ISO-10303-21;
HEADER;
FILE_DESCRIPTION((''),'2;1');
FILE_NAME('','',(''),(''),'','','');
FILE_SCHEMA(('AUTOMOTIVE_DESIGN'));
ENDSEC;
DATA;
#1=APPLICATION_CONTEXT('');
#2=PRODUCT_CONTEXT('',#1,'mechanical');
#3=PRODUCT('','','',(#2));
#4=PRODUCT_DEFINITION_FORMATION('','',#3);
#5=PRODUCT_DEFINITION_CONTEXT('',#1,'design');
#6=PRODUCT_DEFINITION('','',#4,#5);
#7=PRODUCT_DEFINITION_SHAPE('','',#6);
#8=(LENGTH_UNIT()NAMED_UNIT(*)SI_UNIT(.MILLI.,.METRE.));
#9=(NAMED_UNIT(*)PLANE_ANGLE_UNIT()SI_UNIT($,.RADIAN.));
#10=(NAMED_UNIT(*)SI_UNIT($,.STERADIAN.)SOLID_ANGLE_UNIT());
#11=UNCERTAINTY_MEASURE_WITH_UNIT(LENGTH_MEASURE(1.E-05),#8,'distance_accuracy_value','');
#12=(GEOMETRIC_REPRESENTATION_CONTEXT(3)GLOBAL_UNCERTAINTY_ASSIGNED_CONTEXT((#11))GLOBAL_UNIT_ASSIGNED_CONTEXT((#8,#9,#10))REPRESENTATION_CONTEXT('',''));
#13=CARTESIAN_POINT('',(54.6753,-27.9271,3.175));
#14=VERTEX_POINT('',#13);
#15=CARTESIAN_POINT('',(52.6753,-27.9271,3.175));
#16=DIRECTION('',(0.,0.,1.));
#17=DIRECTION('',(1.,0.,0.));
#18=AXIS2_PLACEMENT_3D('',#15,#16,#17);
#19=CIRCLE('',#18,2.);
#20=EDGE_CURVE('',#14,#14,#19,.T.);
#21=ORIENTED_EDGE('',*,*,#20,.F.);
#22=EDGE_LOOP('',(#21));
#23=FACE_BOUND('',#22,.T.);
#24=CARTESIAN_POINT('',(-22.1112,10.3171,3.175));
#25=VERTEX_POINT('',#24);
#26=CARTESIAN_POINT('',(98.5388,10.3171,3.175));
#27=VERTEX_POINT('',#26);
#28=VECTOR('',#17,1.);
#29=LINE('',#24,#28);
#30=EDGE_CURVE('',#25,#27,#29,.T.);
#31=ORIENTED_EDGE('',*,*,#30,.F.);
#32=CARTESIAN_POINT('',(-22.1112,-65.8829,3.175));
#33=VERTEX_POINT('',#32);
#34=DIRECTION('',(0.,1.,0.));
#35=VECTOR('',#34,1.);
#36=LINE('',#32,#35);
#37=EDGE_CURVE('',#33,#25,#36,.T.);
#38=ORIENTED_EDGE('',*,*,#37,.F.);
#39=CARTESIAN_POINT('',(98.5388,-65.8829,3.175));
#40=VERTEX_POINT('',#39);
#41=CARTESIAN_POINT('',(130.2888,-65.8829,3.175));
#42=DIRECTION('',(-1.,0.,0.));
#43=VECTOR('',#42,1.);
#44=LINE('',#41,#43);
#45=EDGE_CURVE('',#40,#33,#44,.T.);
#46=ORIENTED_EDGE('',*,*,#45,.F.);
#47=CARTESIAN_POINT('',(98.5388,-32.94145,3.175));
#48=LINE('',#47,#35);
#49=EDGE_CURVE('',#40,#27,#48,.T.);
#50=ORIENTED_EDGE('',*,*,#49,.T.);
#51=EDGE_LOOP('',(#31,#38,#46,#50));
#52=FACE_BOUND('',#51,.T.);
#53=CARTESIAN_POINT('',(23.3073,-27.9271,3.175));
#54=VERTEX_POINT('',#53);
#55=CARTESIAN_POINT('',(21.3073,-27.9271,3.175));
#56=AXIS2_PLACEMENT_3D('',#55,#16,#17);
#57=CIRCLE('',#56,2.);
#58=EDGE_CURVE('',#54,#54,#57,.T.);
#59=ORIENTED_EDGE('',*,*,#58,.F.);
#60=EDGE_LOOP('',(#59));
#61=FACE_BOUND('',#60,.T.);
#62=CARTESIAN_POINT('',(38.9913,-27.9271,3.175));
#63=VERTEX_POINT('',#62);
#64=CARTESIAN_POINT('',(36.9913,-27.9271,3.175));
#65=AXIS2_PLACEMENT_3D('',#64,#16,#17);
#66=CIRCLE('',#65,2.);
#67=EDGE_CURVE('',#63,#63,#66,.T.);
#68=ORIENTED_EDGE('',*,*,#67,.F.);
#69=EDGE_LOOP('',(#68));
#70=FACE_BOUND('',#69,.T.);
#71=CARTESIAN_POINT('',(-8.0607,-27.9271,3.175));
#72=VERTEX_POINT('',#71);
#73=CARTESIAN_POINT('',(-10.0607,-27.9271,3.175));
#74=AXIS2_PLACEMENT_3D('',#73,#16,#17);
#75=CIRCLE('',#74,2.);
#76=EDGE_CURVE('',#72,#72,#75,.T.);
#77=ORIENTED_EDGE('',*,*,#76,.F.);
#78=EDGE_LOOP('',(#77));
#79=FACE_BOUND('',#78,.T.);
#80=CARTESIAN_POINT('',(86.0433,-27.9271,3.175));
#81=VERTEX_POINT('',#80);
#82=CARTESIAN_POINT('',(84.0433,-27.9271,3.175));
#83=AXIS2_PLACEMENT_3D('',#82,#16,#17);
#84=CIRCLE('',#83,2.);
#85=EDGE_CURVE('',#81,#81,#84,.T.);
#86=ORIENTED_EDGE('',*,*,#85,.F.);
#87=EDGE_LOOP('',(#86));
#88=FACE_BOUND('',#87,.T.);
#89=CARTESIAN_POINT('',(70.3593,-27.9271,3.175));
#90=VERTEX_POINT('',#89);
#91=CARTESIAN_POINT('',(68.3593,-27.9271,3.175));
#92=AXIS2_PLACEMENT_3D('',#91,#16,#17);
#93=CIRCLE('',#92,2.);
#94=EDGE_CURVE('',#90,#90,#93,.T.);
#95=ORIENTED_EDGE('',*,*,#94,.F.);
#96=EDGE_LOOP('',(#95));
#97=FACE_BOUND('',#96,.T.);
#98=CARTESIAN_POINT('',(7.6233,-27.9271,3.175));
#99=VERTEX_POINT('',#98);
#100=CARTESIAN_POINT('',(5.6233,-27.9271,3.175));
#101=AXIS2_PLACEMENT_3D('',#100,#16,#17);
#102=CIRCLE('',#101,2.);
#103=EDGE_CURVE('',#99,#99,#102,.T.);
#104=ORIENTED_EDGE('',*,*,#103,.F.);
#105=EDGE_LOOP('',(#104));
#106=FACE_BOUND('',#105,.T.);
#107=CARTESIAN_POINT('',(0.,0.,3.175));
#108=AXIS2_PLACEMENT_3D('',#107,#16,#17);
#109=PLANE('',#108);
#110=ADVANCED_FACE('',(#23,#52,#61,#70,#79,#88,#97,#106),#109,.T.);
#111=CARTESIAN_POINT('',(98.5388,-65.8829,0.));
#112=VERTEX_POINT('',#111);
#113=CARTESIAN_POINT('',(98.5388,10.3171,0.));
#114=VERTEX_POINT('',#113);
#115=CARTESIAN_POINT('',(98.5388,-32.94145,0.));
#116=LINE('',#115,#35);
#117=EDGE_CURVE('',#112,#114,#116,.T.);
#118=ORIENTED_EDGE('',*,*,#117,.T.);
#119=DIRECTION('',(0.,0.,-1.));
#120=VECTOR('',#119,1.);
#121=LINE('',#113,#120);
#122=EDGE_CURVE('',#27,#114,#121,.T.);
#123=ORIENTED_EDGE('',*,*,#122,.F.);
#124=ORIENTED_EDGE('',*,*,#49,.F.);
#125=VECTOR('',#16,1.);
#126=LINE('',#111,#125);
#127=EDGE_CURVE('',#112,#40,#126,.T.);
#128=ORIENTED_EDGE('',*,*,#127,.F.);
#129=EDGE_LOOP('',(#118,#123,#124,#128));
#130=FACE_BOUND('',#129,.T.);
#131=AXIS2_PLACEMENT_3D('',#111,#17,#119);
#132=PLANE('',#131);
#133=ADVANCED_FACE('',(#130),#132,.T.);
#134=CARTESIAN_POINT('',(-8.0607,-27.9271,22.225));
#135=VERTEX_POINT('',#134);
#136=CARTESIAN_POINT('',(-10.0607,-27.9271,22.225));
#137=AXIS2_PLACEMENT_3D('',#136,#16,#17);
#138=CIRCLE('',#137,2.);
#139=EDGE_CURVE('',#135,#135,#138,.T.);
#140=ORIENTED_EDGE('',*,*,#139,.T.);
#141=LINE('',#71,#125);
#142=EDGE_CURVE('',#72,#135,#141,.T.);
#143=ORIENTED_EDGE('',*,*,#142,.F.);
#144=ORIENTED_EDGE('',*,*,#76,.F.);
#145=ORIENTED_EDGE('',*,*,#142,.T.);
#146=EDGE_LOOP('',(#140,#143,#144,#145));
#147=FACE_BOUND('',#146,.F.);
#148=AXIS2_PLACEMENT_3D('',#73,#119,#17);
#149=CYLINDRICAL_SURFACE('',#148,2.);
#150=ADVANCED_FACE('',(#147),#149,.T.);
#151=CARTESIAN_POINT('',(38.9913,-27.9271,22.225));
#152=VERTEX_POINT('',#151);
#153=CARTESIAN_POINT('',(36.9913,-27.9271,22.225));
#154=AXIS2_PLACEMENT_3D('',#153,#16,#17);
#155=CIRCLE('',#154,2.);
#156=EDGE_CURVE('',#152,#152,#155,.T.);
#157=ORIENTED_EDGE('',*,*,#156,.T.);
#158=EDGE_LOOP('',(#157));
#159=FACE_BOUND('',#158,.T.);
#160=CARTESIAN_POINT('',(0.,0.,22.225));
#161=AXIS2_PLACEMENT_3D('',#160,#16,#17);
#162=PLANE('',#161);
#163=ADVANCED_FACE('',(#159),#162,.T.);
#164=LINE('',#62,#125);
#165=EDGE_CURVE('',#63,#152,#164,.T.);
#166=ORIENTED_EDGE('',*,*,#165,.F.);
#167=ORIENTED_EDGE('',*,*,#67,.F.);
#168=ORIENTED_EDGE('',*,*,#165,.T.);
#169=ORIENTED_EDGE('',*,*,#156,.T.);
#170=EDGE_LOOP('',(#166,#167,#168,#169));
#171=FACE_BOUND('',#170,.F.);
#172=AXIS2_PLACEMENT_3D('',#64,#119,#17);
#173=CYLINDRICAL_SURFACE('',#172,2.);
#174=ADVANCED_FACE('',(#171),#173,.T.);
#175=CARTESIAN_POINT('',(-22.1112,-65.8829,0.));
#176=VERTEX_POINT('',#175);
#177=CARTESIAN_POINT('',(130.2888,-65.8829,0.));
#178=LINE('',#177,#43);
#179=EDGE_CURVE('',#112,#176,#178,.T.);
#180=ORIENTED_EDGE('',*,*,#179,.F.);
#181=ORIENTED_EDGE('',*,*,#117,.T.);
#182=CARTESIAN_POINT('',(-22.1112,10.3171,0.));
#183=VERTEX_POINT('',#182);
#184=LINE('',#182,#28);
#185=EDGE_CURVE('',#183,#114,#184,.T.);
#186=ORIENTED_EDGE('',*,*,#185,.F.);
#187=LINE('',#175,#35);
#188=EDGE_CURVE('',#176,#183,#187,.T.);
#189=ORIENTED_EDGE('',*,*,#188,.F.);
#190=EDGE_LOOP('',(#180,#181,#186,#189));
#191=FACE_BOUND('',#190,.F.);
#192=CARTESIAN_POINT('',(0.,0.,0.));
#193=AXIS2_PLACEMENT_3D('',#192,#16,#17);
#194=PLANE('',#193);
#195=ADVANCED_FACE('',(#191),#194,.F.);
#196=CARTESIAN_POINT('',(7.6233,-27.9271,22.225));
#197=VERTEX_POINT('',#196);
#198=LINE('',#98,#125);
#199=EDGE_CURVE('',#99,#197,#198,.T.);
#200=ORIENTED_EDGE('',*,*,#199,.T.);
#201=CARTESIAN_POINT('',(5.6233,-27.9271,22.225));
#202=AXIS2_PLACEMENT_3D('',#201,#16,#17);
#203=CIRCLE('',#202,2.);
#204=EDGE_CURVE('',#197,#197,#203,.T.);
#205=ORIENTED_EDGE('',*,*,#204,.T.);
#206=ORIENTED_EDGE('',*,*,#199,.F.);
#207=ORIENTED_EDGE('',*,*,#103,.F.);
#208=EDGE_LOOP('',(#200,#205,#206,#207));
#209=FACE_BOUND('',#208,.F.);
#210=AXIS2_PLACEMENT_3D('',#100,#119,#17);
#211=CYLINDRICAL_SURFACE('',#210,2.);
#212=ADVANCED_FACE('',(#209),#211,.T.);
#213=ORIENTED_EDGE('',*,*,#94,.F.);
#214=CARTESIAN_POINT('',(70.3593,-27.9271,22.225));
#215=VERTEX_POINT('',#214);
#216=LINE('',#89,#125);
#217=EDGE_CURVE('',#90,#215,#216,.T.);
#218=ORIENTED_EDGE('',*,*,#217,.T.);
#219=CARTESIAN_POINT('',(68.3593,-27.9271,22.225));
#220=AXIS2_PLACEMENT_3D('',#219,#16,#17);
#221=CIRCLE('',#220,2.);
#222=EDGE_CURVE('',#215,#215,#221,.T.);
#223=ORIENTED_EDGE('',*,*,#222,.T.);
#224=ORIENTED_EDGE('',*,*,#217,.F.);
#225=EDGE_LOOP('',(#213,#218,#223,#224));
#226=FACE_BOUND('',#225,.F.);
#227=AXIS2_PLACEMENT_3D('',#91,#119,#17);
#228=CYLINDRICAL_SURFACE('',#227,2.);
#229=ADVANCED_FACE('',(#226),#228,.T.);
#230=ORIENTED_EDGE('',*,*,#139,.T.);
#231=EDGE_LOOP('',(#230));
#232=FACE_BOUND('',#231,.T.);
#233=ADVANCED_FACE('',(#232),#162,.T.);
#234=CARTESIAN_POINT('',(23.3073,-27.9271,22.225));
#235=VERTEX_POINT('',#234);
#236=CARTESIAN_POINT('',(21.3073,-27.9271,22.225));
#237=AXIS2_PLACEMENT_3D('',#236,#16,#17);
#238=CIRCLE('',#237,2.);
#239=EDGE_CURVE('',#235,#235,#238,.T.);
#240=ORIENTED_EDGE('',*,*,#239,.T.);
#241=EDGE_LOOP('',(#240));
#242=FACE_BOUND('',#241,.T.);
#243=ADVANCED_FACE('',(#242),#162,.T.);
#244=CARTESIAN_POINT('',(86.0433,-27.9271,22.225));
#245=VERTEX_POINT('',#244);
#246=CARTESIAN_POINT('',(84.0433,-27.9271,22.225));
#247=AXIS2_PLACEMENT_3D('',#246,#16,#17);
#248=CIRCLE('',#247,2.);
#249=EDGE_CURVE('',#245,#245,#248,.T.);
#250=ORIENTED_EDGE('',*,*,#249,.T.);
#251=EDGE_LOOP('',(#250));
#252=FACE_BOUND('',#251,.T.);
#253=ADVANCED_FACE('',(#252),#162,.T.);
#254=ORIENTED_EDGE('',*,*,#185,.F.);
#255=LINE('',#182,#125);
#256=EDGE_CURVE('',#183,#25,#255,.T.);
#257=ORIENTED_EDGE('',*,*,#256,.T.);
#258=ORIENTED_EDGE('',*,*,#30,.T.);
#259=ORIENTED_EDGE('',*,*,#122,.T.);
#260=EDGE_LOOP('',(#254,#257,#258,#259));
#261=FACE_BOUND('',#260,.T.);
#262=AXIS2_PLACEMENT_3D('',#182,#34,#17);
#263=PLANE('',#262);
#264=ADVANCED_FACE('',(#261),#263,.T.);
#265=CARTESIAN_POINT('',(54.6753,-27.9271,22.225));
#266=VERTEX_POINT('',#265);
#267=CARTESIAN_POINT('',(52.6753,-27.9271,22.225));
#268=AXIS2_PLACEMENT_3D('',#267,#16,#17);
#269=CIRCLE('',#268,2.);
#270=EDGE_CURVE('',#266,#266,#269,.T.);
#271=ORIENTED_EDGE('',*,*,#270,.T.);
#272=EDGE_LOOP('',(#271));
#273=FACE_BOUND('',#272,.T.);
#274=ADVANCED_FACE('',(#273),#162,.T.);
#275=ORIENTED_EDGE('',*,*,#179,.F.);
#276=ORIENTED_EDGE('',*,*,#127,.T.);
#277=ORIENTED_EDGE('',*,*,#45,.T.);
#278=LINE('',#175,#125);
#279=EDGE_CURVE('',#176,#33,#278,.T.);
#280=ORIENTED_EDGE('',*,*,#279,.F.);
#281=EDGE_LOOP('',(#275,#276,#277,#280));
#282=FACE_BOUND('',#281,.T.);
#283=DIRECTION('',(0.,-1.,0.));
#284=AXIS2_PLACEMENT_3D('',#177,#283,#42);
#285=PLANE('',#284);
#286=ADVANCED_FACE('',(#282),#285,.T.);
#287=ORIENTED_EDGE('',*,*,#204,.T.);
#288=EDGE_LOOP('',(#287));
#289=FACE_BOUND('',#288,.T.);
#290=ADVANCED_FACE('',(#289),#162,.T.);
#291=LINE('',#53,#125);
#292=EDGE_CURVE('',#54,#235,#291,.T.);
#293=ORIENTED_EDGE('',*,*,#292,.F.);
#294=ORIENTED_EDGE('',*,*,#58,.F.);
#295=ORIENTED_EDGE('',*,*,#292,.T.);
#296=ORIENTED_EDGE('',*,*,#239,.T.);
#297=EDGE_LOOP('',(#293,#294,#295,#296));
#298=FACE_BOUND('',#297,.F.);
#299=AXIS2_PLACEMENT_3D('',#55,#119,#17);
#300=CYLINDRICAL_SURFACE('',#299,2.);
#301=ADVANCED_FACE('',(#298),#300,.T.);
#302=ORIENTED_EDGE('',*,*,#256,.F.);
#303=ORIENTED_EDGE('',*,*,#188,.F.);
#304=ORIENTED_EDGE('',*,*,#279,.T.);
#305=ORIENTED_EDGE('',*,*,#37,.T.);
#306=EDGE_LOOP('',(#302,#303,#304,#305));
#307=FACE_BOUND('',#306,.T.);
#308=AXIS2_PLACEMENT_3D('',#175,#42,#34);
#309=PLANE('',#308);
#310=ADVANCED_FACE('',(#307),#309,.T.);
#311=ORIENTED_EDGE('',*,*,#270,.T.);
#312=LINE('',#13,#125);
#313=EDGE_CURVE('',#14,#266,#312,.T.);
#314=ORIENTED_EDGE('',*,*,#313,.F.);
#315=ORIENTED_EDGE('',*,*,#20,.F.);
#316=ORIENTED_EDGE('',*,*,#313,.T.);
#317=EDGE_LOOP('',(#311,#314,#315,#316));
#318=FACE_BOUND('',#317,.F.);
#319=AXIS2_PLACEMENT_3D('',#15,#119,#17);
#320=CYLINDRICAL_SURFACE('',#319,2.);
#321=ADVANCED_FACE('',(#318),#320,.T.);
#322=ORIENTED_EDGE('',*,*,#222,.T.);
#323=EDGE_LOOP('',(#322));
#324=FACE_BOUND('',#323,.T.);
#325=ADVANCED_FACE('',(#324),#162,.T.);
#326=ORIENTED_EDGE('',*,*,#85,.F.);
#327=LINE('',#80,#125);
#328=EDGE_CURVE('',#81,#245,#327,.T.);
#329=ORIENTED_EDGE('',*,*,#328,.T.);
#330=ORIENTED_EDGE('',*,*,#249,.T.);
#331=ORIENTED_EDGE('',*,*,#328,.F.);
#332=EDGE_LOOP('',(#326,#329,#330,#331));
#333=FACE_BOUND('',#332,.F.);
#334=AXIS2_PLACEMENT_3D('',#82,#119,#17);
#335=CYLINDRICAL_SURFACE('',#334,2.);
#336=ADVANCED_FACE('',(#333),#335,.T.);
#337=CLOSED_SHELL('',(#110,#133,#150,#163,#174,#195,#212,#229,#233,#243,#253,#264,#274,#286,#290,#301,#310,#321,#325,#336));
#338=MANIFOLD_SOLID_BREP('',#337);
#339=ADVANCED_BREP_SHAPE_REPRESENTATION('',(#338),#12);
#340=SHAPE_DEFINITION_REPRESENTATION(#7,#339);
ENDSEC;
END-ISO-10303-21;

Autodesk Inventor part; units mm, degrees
ref_plane "YZ Plane" through (0, 0, 0) normal (1, 0, 0) x (0, 1, 0)
ref_plane "XZ Plane" through (0, 0, 0) normal (0, 1, 0) x (-1, 0, 0)
ref_plane "XY Plane" through (0, 0, 0) normal (0, 0, 1) x (1, 0, 0)
sketch "Sketch1" plane through (0, 0, 0) normal (0, 0, 1) x (1, 0, 0)
  line L0 (-22.1112, 10.3171) -> (130.2888, 10.3171)
  line L1 (130.2888, 10.3171) -> (130.2888, -65.8829)
  line L2 (130.2888, -65.8829) -> (-22.1112, -65.8829)
  line L3 (-22.1112, -65.8829) -> (-22.1112, 10.3171)
  point P0 (0, 0)
  dimension "d0" = 152.4
  dimension "d1" = 76.2
extrude "Extrusion1" add sketch "Sketch1" along normal blind 3.175
sketch "Sketch2" plane through (0, 0, 3.175) normal (0, 0, 1) x (1, 0, 0)
  circle A0 centre (-10.0607, -27.9271) radius 2
  circle A1 centre (5.6233, -27.9271) radius 2
  circle A2 centre (21.3073, -27.9271) radius 2
  circle A3 centre (36.9913, -27.9271) radius 2
  circle A4 centre (52.6753, -27.9271) radius 2
  circle A5 centre (68.3593, -27.9271) radius 2
  circle A6 centre (84.0433, -27.9271) radius 2
  point P0 (0, 0)
  dimension "d4" = 4
  dimension "d5" = 4
  dimension "d6" = 4
  dimension "d7" = 11.684
  dimension "d8" = 11.684
  dimension "d9" = 4
  dimension "d10" = 11.684
  dimension "d11" = 4
  dimension "d12" = 4
  dimension "d13" = 4
  dimension "d14" = 11.684
  dimension "d15" = 11.684
  dimension "d16" = 11.684
extrude "Extrusion2" add sketch "Sketch2" along normal blind 19.05
sketch "Sketch3" plane through (130.2888, -65.8829, 0) normal (1, 0, 0) x (0, 0, -1)
  line L0 (-11.1509, 83.1688) -> (7.2167, 83.1688)
  line L1 (7.2167, 83.1688) -> (7.2167, -5.5026)
  line L2 (7.2167, -5.5026) -> (-11.1509, -5.5026)
  line L3 (-11.1509, -5.5026) -> (-11.1509, 83.1688)
  point P0 (0, 65.8829)
extrude "Extrusion3" cut sketch "Sketch3" against normal blind 31.75
properties part number "gearbasephonecase"
